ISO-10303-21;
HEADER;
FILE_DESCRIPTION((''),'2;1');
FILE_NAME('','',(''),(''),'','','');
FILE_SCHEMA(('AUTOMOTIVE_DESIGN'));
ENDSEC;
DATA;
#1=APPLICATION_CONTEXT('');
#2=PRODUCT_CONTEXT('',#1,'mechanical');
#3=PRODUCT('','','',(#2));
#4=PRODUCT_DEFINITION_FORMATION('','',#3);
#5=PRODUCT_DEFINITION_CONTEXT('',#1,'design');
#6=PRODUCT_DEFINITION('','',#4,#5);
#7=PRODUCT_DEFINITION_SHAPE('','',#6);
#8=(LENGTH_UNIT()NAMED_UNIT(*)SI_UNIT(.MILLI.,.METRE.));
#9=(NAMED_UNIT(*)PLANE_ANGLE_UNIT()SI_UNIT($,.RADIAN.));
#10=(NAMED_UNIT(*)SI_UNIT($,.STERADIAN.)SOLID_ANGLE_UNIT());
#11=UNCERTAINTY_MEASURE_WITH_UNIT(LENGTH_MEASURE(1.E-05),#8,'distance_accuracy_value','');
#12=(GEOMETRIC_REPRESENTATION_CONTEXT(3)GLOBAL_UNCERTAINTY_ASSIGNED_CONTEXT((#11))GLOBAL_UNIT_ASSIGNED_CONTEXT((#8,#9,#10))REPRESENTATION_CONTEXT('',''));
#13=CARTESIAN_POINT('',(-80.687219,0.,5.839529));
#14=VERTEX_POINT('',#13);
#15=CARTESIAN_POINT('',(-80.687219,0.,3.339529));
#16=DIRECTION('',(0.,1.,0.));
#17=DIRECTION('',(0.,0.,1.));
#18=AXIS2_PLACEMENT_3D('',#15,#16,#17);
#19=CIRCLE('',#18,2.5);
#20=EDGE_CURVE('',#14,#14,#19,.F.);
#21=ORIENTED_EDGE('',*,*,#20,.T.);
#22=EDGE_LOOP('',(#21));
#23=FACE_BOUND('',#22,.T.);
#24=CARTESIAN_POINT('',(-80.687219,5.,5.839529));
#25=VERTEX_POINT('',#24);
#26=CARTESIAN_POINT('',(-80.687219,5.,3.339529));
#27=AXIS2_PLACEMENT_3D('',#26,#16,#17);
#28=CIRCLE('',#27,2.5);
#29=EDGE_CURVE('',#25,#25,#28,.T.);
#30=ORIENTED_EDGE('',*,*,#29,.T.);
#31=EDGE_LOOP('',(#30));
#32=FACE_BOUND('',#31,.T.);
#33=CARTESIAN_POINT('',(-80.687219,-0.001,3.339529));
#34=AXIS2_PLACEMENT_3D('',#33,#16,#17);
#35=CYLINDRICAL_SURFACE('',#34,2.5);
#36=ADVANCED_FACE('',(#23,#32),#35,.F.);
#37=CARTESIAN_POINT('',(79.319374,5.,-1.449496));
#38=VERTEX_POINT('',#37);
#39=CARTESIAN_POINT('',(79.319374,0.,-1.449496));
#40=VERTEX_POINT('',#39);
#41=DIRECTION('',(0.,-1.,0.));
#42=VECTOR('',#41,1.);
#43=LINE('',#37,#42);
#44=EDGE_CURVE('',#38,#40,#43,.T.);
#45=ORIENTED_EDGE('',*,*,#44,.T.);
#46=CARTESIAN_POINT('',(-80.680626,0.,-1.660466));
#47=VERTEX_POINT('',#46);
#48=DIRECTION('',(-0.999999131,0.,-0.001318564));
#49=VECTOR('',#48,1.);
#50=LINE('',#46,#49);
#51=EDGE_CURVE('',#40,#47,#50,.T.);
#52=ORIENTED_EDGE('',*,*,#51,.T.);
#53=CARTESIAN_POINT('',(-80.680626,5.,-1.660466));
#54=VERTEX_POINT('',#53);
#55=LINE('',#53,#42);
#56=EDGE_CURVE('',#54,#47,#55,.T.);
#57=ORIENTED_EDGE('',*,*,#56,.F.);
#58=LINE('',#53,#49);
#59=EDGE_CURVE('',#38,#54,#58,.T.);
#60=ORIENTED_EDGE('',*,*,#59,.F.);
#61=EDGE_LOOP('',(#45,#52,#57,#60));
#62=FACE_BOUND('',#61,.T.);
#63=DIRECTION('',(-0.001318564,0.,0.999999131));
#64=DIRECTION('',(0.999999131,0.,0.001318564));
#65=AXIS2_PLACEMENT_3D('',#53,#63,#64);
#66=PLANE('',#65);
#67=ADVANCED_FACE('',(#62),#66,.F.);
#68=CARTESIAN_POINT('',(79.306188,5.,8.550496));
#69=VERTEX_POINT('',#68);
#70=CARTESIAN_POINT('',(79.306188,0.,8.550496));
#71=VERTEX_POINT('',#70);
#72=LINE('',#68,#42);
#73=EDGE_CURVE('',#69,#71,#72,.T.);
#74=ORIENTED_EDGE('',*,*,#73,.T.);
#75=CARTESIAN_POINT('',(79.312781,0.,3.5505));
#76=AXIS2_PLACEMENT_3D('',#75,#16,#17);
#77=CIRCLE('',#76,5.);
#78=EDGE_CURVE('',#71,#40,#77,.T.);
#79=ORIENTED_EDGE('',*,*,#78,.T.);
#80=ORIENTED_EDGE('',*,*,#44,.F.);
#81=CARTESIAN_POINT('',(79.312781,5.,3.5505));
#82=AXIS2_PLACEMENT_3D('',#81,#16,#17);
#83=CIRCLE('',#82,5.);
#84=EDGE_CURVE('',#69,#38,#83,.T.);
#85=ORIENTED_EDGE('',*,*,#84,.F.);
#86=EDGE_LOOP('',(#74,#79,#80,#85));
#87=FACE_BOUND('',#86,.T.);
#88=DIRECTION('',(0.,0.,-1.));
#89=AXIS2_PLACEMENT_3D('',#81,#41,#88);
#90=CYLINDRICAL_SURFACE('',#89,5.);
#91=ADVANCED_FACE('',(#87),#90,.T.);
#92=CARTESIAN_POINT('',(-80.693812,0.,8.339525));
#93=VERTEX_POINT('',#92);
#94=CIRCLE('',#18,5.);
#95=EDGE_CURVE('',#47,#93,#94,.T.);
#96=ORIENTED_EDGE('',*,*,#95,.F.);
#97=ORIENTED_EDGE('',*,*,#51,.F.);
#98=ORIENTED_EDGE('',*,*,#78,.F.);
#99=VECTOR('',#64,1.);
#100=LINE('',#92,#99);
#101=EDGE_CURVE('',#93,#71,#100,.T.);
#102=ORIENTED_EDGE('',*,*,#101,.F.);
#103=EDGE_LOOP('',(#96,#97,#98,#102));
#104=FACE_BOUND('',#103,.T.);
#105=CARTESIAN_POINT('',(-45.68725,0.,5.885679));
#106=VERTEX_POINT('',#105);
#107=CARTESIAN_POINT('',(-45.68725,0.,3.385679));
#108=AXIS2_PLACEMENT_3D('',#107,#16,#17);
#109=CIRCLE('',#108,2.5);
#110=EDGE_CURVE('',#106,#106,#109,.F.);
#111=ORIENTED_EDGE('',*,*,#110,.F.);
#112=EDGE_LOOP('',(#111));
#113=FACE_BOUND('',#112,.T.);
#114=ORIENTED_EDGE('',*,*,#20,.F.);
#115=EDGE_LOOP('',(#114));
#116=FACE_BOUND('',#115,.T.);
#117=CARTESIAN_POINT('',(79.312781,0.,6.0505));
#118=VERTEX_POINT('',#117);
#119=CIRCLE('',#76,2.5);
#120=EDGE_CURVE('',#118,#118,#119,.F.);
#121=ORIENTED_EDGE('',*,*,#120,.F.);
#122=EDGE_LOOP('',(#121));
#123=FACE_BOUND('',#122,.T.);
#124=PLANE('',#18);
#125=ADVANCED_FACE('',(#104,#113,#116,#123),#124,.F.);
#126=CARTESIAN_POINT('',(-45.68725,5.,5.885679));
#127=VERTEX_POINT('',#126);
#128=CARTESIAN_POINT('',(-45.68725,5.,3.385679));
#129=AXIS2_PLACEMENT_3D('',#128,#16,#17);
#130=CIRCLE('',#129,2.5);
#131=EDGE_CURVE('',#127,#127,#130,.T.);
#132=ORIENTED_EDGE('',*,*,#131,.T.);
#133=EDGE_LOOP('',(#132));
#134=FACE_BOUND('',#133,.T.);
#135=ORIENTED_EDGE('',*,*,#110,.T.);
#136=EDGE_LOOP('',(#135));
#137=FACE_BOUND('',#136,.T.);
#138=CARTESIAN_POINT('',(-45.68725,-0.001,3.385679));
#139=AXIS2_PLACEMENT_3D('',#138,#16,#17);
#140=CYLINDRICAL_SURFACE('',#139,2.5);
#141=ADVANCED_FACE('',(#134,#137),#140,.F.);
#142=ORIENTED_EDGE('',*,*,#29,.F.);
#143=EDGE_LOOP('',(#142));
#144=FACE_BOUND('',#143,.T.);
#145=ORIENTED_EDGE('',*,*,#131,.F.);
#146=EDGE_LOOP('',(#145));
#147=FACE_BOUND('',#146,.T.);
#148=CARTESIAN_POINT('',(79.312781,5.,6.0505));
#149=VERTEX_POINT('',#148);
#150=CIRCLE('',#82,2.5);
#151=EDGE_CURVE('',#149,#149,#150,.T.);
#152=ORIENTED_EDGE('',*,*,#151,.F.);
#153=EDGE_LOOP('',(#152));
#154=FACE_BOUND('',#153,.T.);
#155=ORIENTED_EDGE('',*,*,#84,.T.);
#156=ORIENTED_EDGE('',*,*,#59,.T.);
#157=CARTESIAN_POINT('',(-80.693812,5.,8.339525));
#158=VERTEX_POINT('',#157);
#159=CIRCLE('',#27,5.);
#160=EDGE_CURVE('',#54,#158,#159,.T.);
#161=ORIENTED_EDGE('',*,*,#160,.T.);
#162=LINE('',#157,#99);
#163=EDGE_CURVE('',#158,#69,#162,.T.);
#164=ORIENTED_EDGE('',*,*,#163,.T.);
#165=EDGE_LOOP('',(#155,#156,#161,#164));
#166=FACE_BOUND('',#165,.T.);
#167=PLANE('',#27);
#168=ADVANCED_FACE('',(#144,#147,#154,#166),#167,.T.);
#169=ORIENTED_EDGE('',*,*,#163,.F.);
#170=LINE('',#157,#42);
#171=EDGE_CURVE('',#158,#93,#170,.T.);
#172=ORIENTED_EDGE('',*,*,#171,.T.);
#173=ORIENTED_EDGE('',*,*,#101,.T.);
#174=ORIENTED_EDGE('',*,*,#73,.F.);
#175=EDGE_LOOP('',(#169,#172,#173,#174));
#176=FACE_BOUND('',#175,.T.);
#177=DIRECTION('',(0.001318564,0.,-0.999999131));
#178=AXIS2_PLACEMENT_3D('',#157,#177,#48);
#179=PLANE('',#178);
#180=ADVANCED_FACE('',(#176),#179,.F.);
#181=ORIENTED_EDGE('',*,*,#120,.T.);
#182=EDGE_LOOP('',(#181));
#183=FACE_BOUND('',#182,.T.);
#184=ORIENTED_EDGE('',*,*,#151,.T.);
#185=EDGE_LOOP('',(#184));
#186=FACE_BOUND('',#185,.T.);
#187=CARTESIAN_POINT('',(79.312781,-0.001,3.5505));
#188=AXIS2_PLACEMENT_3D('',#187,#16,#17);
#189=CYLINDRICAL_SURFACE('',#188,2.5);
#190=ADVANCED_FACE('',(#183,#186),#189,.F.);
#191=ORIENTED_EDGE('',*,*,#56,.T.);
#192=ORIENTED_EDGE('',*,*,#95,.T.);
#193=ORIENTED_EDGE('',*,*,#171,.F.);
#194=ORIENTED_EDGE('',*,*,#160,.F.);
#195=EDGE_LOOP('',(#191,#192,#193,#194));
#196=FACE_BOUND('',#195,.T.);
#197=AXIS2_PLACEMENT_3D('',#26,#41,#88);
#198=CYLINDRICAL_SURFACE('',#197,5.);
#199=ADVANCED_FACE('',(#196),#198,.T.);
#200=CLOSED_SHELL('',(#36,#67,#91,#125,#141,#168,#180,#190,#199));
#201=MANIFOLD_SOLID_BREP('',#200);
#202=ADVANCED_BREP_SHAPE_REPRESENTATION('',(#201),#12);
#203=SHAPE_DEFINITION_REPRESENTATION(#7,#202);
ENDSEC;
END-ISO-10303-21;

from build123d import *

# Parameters (mm, degrees)
BOSS_EXTRUDE1_DEPTH = 5
CUT_EXTRUDE1_REACH  = 88.258
SKETCH3_R           = 2.5


with BuildPart() as part:
    # Sketch2 → Boss-Extrude1 (new body)
    with BuildSketch(Plane(origin=(0, 0, 0), x_dir=(1, 0, 0), z_dir=(0, 1, 0))):
        with BuildLine():
            Line((-80.680626491, 1.660466244), (79.319373509, 1.44949578))
            ThreePointArc((79.319373509, 1.44949578), (84.312776341, -3.557092695), (79.306187867, -8.550495527))
            Line((79.306187867, -8.550495527), (-80.693812133, -8.339525063))
            ThreePointArc((-80.693812133, -8.339525063), (-85.687214966, -3.332936588), (-80.680626491, 1.660466244))
        make_face()
    extrude(amount=BOSS_EXTRUDE1_DEPTH)

    # Sketch3 → Cut-Extrude1 (cut, up to next)
    with BuildSketch(Plane(origin=(0, 5, 0), x_dir=(1, 0, 0), z_dir=(0, 1, 0)), mode=Mode.PRIVATE) as cut_extrude1_sk1:
        with Locations(Location((-80.687219312, -3.33952941, 0), (0, 0, 270))):
            Circle(SKETCH3_R)
    cut_extrude1_tool1 = extrude(cut_extrude1_sk1.sketch, amount=-CUT_EXTRUDE1_REACH, mode=Mode.PRIVATE) & part.part
    # Sketch3 → Cut-Extrude1 (cut, up to next)
    with BuildSketch(Plane(origin=(0, 5, 0), x_dir=(1, 0, 0), z_dir=(0, 1, 0)), mode=Mode.PRIVATE) as cut_extrude1_sk2:
        with Locations(Location((79.312780688, -3.550499874, 0), (0, 0, 270))):
            Circle(SKETCH3_R)
    cut_extrude1_tool2 = extrude(cut_extrude1_sk2.sketch, amount=-CUT_EXTRUDE1_REACH, mode=Mode.PRIVATE) & part.part
    # Sketch3 → Cut-Extrude1 (cut, up to next)
    with BuildSketch(Plane(origin=(0, 5, 0), x_dir=(1, 0, 0), z_dir=(0, 1, 0)), mode=Mode.PRIVATE) as cut_extrude1_sk3:
        with Locations(Location((-45.687249738, -3.385679158, 0), (0, 0, 270))):
            Circle(SKETCH3_R)
    cut_extrude1_tool3 = extrude(cut_extrude1_sk3.sketch, amount=-CUT_EXTRUDE1_REACH, mode=Mode.PRIVATE) & part.part
    add(cut_extrude1_tool1.solids().sort_by_distance((-80.687219, 5, 3.339529))[0], mode=Mode.SUBTRACT)
    add(cut_extrude1_tool2.solids().sort_by_distance((79.312781, 5, 3.5505))[0], mode=Mode.SUBTRACT)
    add(cut_extrude1_tool3.solids().sort_by_distance((-45.68725, 5, 3.385679))[0], mode=Mode.SUBTRACT)


solid = part.part
